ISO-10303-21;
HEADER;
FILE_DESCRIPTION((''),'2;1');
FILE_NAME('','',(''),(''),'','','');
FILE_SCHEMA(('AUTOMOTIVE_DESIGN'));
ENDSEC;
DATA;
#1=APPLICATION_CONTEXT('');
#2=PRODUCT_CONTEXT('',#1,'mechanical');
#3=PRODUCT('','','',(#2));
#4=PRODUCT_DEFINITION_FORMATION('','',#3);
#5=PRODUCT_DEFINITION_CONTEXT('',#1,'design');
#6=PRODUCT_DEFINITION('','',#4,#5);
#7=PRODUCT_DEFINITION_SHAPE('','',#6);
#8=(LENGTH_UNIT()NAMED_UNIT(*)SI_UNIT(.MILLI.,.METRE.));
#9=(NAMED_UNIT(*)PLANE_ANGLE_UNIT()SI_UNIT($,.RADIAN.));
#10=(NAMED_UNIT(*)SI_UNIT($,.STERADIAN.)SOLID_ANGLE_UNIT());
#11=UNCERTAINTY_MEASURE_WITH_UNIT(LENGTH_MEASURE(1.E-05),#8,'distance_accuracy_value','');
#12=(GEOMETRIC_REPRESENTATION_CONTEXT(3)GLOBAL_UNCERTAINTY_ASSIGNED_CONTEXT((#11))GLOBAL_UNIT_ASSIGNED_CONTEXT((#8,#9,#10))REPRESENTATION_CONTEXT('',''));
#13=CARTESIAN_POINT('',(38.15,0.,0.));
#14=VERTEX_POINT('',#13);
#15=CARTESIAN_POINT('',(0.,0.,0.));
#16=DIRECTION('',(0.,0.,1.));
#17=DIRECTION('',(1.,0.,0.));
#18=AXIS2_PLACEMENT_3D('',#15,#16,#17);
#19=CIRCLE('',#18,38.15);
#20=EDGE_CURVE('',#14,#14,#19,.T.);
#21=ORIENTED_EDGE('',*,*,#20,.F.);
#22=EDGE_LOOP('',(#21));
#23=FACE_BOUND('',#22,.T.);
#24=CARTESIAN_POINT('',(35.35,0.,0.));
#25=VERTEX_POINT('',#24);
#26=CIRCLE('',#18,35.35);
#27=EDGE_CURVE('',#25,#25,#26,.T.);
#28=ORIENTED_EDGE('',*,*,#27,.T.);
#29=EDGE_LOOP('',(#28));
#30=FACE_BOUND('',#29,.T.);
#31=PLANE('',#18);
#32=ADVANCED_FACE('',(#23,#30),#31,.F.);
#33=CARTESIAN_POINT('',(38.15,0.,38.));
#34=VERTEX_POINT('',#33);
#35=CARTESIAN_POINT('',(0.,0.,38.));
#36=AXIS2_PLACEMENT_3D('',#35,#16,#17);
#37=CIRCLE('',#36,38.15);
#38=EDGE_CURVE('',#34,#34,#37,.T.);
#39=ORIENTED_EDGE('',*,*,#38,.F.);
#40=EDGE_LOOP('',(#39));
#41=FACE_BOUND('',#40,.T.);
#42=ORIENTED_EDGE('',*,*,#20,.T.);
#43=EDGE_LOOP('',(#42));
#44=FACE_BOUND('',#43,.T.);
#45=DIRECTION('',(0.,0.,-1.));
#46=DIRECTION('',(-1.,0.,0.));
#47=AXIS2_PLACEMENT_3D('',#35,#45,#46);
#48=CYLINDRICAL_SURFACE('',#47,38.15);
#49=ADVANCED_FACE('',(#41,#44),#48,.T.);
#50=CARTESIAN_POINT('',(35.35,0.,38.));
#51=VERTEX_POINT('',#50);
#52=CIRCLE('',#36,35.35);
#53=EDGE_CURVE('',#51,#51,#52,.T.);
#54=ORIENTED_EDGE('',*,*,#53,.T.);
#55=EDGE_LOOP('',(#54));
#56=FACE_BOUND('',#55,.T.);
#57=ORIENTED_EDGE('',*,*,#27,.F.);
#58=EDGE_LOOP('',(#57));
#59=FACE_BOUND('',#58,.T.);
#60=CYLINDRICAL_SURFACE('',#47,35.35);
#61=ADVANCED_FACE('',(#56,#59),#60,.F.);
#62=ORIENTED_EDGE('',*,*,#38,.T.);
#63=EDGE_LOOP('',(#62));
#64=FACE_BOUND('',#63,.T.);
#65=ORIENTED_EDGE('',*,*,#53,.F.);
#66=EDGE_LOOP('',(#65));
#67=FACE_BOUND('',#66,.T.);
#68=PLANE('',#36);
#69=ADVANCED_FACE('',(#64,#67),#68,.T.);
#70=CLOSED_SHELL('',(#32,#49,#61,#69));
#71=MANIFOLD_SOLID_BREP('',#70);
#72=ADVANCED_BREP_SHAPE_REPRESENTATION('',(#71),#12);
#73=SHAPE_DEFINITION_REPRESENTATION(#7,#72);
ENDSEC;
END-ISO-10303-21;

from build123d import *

# Parameters (mm, degrees)
SKETCH_1_R      = 38.15
SKETCH_1_R_2    = 35.35
EXTRUDE_1_DEPTH = 38


with BuildPart() as part:
    # ｽｹｯﾁ1 → ﾎﾞｽ - 押し出し1 (new body)
    with BuildSketch(Plane.XY):
        Circle(SKETCH_1_R)
        Circle(SKETCH_1_R_2, mode=Mode.SUBTRACT)
    extrude(amount=EXTRUDE_1_DEPTH)


solid = part.part
